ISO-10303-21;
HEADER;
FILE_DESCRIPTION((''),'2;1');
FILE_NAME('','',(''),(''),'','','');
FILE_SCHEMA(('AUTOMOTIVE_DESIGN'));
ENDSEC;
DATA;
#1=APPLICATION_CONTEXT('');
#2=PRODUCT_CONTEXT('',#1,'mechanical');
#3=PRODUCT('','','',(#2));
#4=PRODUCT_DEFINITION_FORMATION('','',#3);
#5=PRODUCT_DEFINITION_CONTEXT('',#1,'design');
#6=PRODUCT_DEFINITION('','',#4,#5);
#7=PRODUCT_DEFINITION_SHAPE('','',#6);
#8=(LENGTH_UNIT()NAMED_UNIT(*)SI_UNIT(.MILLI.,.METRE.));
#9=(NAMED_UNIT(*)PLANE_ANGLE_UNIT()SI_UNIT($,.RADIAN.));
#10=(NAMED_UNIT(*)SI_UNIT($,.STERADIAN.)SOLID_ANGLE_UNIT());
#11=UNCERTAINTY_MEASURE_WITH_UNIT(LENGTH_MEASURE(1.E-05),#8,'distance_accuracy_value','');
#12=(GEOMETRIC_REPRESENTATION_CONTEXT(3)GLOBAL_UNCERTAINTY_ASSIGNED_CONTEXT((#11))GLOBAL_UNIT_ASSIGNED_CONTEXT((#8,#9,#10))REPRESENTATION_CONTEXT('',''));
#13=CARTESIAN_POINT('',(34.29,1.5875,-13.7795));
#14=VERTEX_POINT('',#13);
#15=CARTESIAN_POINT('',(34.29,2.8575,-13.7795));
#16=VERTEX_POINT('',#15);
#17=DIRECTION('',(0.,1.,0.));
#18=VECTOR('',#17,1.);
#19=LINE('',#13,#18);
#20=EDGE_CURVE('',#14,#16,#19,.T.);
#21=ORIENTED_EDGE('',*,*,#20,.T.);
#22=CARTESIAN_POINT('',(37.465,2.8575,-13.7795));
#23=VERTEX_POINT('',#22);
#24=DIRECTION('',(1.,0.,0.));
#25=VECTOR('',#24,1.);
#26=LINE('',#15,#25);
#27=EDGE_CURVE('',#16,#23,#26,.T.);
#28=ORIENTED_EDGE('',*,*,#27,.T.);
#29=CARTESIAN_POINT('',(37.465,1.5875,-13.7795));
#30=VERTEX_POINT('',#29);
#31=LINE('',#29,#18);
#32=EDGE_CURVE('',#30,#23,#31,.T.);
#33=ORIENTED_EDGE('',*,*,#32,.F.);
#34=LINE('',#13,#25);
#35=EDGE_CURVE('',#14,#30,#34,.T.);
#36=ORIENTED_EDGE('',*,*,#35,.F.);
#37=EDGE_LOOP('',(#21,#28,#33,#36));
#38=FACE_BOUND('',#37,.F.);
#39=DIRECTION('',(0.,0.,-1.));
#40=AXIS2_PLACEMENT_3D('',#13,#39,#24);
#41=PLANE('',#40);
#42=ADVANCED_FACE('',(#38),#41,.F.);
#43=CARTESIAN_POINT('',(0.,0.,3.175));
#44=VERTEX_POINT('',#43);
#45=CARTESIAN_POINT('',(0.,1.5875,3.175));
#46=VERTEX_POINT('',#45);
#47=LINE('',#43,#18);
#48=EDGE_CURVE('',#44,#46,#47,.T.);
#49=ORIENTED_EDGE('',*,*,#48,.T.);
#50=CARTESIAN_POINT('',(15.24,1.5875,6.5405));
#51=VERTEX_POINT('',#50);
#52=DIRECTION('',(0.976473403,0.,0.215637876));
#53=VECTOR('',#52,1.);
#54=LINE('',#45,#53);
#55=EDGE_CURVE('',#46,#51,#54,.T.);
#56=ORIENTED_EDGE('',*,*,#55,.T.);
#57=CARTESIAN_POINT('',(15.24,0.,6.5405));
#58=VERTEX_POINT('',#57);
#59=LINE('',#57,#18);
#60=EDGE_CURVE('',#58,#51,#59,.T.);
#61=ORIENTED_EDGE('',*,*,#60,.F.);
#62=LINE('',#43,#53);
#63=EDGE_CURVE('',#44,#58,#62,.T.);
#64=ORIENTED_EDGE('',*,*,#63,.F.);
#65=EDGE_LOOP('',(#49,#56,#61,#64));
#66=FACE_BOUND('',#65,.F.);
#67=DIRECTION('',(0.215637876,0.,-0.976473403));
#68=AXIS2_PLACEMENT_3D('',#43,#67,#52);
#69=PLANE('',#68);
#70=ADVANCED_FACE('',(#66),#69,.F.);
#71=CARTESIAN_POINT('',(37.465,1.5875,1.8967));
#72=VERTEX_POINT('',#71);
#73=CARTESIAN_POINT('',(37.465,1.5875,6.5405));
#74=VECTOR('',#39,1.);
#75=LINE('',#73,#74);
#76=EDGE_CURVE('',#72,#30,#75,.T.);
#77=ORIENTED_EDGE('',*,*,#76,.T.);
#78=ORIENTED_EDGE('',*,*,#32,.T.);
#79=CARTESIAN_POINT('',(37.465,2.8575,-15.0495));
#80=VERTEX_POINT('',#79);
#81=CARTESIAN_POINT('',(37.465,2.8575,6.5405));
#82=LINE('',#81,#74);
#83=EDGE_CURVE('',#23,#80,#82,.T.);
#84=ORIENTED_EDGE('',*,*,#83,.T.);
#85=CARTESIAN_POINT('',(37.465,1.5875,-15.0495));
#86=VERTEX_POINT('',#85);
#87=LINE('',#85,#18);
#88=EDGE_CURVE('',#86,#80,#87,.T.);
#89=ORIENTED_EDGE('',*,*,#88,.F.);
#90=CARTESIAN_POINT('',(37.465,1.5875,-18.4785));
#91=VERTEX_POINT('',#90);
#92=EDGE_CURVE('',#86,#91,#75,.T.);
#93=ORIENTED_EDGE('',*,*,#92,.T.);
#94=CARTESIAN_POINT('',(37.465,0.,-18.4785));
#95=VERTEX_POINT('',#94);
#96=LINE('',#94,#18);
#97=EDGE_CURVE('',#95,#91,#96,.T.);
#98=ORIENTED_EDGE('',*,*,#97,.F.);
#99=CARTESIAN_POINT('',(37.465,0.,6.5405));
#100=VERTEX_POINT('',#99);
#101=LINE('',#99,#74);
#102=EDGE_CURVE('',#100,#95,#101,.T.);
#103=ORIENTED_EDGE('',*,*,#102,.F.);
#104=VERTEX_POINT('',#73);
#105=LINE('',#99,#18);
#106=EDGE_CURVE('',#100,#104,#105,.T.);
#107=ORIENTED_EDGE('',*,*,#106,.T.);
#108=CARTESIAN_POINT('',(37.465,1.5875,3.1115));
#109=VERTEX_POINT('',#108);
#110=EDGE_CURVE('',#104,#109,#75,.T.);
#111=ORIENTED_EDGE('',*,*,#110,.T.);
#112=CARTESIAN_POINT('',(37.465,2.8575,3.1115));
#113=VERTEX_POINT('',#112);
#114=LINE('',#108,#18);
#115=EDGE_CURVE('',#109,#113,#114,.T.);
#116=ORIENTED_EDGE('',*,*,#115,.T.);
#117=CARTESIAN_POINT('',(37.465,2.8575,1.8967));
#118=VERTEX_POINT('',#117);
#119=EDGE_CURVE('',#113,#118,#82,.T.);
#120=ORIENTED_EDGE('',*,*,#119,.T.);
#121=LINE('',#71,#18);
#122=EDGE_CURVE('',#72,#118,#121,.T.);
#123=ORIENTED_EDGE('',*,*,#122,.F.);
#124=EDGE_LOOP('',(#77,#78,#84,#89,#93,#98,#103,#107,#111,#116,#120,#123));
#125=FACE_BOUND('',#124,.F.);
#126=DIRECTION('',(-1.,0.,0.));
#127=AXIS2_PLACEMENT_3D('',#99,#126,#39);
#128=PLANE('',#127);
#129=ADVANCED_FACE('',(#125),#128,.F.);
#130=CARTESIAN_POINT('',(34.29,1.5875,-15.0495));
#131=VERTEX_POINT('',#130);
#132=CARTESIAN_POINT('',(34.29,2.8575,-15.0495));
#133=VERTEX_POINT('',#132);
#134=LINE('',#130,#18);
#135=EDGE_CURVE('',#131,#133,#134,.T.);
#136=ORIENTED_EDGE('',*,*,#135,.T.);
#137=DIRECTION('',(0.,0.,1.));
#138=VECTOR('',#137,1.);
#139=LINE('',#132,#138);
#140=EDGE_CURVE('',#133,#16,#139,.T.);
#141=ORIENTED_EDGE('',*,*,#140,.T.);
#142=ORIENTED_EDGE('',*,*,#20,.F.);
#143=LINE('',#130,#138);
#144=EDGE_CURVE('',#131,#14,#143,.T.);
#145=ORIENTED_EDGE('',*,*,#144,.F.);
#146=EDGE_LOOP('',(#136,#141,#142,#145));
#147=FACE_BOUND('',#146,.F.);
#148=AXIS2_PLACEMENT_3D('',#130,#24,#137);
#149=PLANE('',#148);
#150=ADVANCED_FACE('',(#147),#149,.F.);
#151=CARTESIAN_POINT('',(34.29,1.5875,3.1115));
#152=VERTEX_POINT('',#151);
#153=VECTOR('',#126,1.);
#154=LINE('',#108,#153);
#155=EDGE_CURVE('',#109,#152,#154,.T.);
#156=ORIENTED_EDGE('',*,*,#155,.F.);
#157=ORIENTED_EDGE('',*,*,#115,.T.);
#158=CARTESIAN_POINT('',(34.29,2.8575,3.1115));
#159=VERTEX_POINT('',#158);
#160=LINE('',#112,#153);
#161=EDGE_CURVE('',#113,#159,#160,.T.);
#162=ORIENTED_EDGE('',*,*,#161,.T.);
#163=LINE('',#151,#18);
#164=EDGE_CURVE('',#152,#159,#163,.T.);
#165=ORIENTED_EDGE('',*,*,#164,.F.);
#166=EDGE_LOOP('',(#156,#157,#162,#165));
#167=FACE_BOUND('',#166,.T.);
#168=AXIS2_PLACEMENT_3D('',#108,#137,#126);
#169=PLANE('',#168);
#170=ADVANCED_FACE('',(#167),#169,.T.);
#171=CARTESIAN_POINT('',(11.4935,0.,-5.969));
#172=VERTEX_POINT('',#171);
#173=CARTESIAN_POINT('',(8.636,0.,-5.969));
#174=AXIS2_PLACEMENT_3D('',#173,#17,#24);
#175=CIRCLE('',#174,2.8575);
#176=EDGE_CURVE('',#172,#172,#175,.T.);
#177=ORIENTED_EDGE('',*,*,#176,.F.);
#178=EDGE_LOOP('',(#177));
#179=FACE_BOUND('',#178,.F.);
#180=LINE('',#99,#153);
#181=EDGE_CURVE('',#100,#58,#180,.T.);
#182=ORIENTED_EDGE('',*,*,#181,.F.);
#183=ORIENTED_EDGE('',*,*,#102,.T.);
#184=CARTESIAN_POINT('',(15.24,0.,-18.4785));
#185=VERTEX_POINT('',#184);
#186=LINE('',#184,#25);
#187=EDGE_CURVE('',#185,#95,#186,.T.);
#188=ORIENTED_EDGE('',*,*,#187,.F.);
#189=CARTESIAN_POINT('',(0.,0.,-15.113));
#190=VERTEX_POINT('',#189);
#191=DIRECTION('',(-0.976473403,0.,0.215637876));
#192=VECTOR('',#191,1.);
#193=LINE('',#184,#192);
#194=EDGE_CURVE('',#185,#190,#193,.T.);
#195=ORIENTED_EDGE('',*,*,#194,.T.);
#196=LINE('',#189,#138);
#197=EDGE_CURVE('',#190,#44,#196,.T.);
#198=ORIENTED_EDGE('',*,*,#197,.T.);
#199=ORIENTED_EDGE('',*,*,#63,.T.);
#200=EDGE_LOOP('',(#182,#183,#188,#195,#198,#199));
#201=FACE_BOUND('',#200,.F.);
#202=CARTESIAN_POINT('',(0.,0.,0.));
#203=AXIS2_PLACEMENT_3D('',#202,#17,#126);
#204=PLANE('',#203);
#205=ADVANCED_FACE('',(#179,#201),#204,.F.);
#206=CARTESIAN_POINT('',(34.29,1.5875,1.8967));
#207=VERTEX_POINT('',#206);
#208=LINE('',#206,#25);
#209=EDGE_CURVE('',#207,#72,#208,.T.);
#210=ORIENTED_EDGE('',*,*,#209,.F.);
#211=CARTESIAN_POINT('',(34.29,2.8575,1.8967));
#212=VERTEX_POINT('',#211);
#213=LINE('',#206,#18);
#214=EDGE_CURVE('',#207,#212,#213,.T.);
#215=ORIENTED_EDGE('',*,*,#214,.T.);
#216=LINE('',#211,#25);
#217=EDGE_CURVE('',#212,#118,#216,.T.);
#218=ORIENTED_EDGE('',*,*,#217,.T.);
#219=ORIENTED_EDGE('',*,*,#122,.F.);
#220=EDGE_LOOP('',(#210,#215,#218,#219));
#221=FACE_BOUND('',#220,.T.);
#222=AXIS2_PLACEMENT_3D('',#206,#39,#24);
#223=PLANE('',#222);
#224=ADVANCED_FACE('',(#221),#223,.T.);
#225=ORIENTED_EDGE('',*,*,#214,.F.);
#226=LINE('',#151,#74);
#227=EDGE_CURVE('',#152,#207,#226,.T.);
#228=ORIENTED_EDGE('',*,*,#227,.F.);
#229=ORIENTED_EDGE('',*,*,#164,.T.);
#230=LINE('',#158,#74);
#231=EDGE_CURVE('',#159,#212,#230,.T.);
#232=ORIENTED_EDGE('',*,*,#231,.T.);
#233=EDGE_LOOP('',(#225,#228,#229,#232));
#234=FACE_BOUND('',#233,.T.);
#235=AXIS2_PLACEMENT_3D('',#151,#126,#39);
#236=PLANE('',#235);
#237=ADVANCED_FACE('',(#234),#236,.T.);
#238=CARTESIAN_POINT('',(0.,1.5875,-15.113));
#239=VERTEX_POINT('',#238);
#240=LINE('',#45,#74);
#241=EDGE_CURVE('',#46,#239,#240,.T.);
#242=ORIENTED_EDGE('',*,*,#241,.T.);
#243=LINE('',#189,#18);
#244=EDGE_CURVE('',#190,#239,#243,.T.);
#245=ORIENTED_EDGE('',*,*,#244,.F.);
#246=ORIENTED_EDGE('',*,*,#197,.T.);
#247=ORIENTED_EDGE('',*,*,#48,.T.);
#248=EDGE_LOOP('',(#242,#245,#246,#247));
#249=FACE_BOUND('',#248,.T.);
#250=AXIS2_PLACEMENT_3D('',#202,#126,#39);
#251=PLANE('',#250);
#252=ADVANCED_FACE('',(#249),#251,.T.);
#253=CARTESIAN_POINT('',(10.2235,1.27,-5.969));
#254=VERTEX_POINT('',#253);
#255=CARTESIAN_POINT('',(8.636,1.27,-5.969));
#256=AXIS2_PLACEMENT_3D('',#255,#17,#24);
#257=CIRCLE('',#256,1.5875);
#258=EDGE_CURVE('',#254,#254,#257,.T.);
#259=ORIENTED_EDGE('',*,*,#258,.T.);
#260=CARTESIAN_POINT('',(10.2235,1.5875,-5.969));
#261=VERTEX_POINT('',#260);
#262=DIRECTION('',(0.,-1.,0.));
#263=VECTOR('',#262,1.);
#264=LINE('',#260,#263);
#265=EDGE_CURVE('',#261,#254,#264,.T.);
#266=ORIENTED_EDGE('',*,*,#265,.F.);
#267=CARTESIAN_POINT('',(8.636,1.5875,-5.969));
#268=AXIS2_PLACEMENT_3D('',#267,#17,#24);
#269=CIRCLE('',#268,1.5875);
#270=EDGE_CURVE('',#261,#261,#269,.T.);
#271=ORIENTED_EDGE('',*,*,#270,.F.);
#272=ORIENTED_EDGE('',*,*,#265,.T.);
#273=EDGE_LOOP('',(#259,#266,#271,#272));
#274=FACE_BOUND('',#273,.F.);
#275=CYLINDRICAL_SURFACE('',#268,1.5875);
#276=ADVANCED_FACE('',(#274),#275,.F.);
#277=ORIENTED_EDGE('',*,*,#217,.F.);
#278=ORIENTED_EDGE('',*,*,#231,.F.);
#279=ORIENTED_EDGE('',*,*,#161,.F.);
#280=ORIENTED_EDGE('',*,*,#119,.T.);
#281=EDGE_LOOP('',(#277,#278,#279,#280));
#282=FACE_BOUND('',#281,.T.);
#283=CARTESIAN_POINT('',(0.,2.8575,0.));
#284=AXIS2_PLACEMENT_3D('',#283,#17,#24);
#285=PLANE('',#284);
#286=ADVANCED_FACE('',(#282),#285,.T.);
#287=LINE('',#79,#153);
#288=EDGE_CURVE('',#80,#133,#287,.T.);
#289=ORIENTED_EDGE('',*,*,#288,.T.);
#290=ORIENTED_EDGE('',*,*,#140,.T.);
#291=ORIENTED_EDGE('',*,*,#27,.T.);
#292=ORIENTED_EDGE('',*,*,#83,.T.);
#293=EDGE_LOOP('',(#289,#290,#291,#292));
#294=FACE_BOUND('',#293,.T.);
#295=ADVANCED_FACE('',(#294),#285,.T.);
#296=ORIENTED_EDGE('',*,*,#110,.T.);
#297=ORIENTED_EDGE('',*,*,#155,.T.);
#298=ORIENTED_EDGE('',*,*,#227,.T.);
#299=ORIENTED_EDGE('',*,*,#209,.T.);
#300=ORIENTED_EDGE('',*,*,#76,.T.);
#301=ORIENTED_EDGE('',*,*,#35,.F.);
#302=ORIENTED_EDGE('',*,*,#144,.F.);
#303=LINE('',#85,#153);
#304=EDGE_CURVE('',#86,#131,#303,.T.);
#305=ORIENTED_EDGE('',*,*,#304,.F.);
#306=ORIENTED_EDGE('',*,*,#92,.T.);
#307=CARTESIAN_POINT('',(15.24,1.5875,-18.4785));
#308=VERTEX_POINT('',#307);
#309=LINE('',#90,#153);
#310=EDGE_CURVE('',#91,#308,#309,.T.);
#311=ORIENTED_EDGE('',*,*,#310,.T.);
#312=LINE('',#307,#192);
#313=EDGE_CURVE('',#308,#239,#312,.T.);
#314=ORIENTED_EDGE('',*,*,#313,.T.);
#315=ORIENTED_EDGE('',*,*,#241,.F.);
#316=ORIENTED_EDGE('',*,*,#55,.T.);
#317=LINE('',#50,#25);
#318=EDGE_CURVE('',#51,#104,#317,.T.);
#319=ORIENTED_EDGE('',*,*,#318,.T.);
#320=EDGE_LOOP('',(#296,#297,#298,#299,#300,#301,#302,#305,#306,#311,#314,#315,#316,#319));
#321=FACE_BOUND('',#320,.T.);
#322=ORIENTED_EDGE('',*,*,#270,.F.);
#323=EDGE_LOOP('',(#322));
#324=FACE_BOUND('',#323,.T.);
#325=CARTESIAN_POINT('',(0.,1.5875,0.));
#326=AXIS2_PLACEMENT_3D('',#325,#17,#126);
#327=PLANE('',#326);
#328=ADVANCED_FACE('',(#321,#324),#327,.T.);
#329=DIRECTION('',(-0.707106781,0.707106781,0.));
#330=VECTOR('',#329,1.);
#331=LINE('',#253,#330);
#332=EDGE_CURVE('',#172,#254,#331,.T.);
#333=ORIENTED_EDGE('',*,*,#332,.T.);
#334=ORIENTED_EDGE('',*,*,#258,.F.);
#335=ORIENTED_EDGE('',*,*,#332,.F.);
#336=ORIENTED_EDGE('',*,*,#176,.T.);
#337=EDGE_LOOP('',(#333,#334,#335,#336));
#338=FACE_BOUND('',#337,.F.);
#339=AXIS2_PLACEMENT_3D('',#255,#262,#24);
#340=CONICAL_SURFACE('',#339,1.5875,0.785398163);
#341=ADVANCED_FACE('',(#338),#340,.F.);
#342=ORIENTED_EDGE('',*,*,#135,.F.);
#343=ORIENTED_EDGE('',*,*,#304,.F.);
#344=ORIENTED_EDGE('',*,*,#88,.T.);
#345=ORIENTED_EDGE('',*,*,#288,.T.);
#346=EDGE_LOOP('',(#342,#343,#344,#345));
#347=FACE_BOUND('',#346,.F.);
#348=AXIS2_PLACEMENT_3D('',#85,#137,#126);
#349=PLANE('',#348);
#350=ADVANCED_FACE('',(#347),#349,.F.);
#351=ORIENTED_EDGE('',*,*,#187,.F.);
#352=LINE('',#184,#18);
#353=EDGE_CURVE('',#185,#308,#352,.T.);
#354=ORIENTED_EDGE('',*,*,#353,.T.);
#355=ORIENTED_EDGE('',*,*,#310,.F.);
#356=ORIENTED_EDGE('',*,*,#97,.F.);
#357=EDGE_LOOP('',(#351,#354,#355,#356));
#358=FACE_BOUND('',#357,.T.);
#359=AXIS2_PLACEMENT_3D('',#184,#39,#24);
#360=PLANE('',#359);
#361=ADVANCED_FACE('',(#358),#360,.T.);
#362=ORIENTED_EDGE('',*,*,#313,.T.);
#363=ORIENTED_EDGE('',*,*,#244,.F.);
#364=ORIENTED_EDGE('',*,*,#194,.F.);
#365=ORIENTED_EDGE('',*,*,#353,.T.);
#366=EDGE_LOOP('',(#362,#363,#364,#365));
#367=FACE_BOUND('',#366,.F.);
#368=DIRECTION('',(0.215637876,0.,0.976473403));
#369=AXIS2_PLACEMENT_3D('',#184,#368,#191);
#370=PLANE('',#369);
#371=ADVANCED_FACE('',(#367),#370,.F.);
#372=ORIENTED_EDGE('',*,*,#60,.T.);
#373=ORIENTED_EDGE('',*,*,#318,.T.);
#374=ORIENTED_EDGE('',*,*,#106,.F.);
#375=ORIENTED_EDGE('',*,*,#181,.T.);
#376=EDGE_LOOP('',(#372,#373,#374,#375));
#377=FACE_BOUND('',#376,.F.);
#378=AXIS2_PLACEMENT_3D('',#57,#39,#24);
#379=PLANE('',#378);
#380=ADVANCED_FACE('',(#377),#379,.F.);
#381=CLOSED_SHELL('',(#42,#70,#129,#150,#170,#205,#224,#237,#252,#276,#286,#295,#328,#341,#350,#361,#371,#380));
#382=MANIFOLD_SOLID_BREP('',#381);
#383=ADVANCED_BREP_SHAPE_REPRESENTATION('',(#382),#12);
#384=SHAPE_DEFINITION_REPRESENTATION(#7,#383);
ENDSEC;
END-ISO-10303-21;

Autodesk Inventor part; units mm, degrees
ref_plane "YZ Plane" through (0, 0, 0) normal (1, 0, 0) x (0, 1, 0)
ref_plane "XZ Plane" through (0, 0, 0) normal (0, 1, 0) x (-1, 0, 0)
ref_plane "XY Plane" through (0, 0, 0) normal (0, 0, 1) x (1, 0, 0)
sketch "Sketch1" plane through (0, 0, 0) normal (0, 1, 0) x (-1, 0, 0)
  line L0 (0, 0) -> (0, -11.938)
  line L1 (-15.24, 3.3655) -> (-15.24, -15.3035)
  line L2 (0, 0) -> (-15.24, 3.3655)
  line L3 (0, -11.938) -> (-15.24, -15.3035)
  line L4 (-15.24, 3.3655) -> (-19.05, 3.3655)
  line L5 (-19.05, 3.3655) -> (-19.05, 2.0955)
  line L6 (-19.05, 2.0955) -> (-15.24, 2.0955)
  line L7 (-15.24, 2.0955) -> (-15.24, 3.3655)
  line L8 (-15.24, -15.3035) -> (-19.05, -15.3035)
  line L9 (-19.05, -15.3035) -> (-19.05, -14.0335)
  line L10 (-19.05, -14.0335) -> (-15.24, -14.0335)
  line L11 (-15.24, -14.0335) -> (-15.24, -15.3035)
  line L12 (0, 0) -> (0, 3.175)
  line L13 (-15.24, 3.3655) -> (-15.24, 6.5405)
  line L14 (0, -11.938) -> (0, -15.113)
  line L15 (-15.24, -15.3035) -> (-15.24, -18.4785)
  line L16 (-15.24, -18.4785) -> (0, -15.113)
  line L17 (0, 3.175) -> (-15.24, 6.5405)
  line L18 (-15.24, 6.5405) -> (-34.29, 6.5405)
  line L19 (-19.05, 3.3655) -> (-34.29, 3.3655)
  line L20 (-34.29, 3.3655) -> (-34.29, 6.5405)
  line L21 (-15.24, -18.4785) -> (-34.29, -18.4785)
  line L22 (-34.29, -18.4785) -> (-34.29, -15.3035)
  line L23 (-34.29, -15.3035) -> (-19.05, -15.3035)
  line L24 (-34.29, 6.5405) -> (-37.465, 6.5405)
  line L25 (-37.465, 6.5405) -> (-37.465, -18.4785)
  line L26 (-37.465, -18.4785) -> (-34.29, -18.4785)
  line L27 (-34.29, -18.4785) -> (-34.29, 6.5405)
  line L28 (-15.24, -15.3035) -> (-34.29, -15.3035)
  line L29 (-34.29, -15.3035) -> (-34.29, 3.3655)
  line L30 (-34.29, 3.3655) -> (-15.24, 3.3655)
  line L31 (-15.24, 3.3655) -> (-15.24, -15.3035)
  line L32 (-15.24, 3.3655) -> (-34.29, 3.3655)
  line L33 (-34.29, 3.3655) -> (-34.29, 6.5405)
  line L34 (-34.29, 6.5405) -> (-15.24, 6.5405)
  line L35 (-15.24, 6.5405) -> (-15.24, 3.3655)
  dimension "d0" = 11.938
  dimension "d1" = 15.24
  dimension "d2" = 18.669
  dimension "d3" = 3.3655
  dimension "d4" = 3.81
  dimension "d5" = 1.27
  dimension "d6" = 3.81
  dimension "d7" = 1.27
  dimension "d8" = 3.175
  dimension "d9" = 3.175
  dimension "d10" = 3.175
  dimension "d11" = 3.175
  dimension "d12" = 19.05
  dimension "d13" = 3.175
extrude "Extrusion4" add sketch "Sketch1" along normal blind 1.5875
sketch "Sketch4" plane through (0, 1.5875, 0) normal (0, 1, 0) x (1, 0, 0)
  circle A0 centre (8.636, 5.969) radius 1.5875
  line L0 (0, 15.113) -> (0, -3.175) projected
  point P0 (0, 0)
  dimension "d26" = 3.175
  dimension "d27" = 8.636
extrude "Extrusion5" cut sketch "Sketch4" against normal blind 1.5875
chamfer "Chamfer2" distance 1.27 angle 45 1 edges at (7.0485, 0, -5.969)
sketch "Sketch5" plane through (0, 1.5875, 0) normal (0, 1, 0) x (1, 0, 0)
  circle A0 centre (8.636, 5.969) radius 1.5875 projected
  line L0 (0, 15.113) -> (0, -3.175) projected
  line L1 (0, -3.175) -> (15.24, -6.5405) projected
  line L2 (15.24, -6.5405) -> (37.465, -6.5405) projected
  line L3 (37.465, -6.5405) -> (37.465, 18.4785) projected
  line L4 (37.465, 18.4785) -> (15.24, 18.4785) projected
  line L5 (15.24, 18.4785) -> (0, 15.113) projected
  line L6 (37.465, 15.0495) -> (34.29, 15.0495)
  line L7 (34.29, 15.0495) -> (34.29, 13.7795)
  line L8 (34.29, 13.7795) -> (37.465, 13.7795)
  line L9 (37.465, 13.7795) -> (37.465, 15.0495)
  line L10 (37.465, -3.1115) -> (34.29, -3.1115)
  line L11 (34.29, -3.1115) -> (34.29, -1.8967)
  line L12 (34.29, -1.8967) -> (37.465, -1.8967)
  line L13 (37.465, -1.8967) -> (37.465, -3.1115)
  line L14 (15.24, -6.5405) -> (37.465, -6.5405) projected
  line L15 (37.465, -6.5405) -> (37.465, -3.1115) construction
  line L16 (37.465, 18.4785) -> (15.24, 18.4785) construction
  line L17 (37.465, 15.0495) -> (37.465, 18.4785) construction
  point P0 (0, 0)
  dimension "d36" = 3.429
  dimension "d37" = 1.27
  dimension "d38" = 3.175
extrude "Extrusion6" add sketch "Sketch5" along normal blind 1.27 contours L3 L8 L7 L6 | L10 L11 L12 L3
equation "\"d3\" = -0.5 * d0 + 0.5 * d2"
properties part number "phototransistorMount2" material "ABS Plastic"
